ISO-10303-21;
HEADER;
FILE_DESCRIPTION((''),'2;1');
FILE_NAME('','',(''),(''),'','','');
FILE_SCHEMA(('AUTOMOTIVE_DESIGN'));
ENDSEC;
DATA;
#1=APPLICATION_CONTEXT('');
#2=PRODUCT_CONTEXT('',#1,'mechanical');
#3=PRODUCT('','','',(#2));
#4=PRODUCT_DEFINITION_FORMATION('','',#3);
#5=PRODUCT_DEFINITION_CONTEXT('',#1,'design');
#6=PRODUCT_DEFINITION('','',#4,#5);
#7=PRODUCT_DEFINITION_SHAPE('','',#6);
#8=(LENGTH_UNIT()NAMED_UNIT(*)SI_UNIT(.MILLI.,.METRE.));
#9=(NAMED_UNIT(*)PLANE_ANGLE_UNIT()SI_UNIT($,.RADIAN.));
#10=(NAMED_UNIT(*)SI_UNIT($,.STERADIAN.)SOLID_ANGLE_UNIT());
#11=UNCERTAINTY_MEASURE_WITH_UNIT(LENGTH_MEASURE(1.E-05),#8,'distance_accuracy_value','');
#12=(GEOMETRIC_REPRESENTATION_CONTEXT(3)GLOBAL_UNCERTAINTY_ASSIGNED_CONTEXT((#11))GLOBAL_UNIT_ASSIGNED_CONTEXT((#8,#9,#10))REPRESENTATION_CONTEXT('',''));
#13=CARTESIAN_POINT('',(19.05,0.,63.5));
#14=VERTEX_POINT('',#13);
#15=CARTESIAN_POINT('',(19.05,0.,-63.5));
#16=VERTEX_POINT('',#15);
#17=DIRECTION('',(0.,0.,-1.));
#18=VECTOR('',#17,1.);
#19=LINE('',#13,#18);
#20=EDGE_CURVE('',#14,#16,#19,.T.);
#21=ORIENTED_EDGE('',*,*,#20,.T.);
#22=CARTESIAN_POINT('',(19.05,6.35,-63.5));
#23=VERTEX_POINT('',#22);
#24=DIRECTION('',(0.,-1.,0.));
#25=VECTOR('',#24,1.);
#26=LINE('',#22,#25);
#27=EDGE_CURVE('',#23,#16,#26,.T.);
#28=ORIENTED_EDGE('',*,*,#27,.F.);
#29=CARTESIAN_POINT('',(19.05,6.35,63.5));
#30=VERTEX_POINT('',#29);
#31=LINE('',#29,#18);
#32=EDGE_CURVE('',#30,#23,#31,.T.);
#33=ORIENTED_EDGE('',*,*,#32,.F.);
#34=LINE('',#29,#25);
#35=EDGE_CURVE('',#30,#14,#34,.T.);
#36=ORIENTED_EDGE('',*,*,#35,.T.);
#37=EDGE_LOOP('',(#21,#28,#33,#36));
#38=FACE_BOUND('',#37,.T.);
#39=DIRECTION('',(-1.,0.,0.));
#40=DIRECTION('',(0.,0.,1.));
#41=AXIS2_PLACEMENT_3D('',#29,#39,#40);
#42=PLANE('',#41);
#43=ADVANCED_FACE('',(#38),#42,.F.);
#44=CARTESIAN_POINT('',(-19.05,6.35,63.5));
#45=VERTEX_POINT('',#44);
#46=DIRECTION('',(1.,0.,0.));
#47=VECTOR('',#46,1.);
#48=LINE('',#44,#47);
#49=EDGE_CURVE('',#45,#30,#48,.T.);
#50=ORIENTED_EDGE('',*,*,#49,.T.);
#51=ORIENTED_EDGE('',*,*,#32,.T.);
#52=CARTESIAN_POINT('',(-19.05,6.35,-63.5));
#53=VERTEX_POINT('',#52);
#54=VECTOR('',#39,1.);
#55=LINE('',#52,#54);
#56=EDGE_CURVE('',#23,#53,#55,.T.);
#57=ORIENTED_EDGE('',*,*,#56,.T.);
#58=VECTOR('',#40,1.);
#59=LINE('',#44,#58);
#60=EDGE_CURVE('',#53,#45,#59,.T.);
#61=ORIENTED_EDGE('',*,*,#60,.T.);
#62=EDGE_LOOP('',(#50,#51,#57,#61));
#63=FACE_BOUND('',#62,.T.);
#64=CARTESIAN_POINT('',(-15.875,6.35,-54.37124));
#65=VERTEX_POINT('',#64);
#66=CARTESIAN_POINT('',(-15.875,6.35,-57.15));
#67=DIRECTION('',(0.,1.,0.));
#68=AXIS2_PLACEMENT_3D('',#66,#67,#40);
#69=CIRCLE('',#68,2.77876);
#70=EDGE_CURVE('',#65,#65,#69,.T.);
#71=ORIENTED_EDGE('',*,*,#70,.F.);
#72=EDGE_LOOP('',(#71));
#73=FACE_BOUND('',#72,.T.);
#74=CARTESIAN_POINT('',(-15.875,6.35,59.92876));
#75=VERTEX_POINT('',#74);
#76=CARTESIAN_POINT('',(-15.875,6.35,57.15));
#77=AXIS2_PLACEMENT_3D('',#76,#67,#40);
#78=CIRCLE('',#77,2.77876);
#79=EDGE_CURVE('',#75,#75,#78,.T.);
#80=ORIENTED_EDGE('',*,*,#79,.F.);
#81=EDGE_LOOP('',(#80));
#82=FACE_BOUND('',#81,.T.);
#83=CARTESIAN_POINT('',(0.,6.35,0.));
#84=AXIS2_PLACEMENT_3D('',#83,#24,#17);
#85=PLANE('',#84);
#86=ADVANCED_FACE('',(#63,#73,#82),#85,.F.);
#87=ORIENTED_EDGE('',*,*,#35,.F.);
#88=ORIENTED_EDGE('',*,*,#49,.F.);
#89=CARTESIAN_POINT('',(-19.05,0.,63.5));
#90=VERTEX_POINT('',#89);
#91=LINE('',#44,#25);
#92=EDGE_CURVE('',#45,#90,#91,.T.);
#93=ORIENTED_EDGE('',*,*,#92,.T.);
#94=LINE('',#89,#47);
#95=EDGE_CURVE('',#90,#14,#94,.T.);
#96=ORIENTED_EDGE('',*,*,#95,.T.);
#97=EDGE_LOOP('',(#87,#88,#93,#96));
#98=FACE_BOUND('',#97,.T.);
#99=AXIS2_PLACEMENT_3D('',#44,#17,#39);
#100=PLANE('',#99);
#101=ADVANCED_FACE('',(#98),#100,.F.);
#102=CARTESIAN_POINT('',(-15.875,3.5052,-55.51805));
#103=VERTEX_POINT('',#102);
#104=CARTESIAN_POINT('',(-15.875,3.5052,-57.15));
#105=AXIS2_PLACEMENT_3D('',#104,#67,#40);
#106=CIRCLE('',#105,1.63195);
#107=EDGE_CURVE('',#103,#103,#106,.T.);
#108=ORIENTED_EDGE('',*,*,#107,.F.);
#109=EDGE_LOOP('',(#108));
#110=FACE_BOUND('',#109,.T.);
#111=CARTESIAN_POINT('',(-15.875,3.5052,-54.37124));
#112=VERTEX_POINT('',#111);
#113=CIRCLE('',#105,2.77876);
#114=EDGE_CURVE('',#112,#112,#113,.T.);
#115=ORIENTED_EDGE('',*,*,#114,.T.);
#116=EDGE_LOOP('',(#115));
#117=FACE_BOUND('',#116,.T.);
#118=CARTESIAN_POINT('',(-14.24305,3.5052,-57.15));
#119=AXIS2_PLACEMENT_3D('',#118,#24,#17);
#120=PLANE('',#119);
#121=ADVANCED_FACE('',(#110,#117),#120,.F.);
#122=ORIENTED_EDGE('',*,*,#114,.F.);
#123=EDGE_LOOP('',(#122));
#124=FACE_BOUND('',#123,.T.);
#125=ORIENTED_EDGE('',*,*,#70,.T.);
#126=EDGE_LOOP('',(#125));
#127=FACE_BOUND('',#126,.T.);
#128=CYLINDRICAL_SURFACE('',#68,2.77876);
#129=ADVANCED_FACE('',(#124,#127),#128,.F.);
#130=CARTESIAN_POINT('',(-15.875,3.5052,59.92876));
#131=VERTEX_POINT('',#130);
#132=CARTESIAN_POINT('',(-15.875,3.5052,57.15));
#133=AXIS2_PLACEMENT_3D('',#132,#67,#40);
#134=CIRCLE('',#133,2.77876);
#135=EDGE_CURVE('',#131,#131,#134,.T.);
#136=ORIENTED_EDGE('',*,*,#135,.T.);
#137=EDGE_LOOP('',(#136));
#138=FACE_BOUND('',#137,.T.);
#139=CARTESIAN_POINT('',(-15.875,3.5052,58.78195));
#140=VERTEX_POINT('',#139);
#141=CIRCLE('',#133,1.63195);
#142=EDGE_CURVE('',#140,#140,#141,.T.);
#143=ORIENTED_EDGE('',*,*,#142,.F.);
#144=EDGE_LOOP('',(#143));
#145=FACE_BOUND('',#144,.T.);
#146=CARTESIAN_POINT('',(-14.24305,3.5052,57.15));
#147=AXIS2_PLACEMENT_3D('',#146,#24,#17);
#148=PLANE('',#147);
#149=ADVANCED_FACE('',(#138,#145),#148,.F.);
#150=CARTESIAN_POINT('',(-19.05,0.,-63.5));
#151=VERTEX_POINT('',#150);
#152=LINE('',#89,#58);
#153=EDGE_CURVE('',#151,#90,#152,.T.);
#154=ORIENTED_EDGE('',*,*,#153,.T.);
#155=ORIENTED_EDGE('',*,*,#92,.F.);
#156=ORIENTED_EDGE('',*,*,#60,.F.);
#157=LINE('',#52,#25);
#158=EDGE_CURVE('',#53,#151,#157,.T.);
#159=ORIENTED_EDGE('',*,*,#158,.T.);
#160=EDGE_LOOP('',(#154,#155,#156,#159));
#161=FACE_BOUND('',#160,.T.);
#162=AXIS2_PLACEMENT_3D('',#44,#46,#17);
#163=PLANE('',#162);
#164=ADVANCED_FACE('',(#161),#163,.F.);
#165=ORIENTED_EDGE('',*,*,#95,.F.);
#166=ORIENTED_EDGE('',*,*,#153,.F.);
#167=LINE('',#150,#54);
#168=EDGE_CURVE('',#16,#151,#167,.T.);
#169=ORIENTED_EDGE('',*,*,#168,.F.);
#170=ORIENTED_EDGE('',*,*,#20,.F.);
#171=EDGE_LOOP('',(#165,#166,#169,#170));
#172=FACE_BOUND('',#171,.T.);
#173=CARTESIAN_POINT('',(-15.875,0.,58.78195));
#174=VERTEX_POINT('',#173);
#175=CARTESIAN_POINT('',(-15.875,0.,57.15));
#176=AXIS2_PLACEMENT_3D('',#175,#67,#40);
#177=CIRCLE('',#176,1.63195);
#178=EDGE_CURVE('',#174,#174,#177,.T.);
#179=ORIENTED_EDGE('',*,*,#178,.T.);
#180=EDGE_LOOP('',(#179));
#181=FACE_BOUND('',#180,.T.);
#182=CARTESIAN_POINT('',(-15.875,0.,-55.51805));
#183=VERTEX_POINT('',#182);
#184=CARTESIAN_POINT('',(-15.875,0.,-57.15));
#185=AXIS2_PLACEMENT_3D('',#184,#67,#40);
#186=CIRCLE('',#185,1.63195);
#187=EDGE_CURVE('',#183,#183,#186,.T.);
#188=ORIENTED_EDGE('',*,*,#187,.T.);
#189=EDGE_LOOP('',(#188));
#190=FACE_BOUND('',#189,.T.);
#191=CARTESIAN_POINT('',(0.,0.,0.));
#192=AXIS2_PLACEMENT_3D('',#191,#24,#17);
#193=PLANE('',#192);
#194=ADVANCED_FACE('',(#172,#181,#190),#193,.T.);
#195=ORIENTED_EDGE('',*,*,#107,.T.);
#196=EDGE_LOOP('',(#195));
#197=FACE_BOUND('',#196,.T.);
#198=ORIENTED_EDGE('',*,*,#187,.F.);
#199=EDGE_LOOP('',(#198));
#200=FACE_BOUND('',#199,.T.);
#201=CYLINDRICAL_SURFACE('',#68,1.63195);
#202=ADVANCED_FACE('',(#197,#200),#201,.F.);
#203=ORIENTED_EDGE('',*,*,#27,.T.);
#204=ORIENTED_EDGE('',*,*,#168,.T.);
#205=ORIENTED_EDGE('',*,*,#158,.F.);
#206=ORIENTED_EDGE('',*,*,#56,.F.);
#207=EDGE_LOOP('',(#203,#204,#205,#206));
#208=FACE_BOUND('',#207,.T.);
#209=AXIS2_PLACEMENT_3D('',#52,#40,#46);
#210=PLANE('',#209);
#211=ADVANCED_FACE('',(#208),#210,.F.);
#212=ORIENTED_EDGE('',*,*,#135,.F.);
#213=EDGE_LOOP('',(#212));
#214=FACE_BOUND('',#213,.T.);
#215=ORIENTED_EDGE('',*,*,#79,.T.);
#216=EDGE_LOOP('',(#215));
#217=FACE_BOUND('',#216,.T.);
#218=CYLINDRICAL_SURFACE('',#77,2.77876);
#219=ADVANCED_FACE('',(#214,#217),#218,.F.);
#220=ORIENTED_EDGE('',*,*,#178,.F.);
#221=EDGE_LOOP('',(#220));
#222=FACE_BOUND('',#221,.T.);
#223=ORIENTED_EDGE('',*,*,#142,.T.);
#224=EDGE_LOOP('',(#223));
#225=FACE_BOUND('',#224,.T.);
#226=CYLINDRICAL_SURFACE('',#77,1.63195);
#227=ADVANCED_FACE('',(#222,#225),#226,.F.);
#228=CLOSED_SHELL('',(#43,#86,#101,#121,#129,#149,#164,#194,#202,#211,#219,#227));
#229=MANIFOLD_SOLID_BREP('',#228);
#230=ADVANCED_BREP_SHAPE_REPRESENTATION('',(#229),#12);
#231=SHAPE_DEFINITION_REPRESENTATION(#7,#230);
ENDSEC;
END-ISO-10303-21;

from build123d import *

# Parameters (mm, degrees)
SKETCH1_W                                      = 38.1
SKETCH1_H                                      = 127
BOSS_EXTRUDE1_DEPTH                            = 6.35
CBORE_FOR_4_SOCKET_HEAD_CAP_SCREW1_D           = 3.2639
CBORE_FOR_4_SOCKET_HEAD_CAP_SCREW1_CBORE_D     = 5.55752
CBORE_FOR_4_SOCKET_HEAD_CAP_SCREW1_CBORE_DEPTH = 2.8448


with BuildPart() as part:
    # Sketch1 → Boss-Extrude1 (new body)
    with BuildSketch(Plane(origin=(0, 0, 0), x_dir=(1, 0, 0), z_dir=(0, 1, 0))):
        Rectangle(SKETCH1_W, SKETCH1_H)
    extrude(amount=BOSS_EXTRUDE1_DEPTH)

    # CBORE for #4 Socket Head Cap Screw1 (through all)
    with Locations(Plane(origin=(0, 6.35, 0), x_dir=(1, 0, 0), z_dir=(0, 1, 0))):
        with Locations((-15.875, -57.15), (-15.875, 57.15)):
            CounterBoreHole(CBORE_FOR_4_SOCKET_HEAD_CAP_SCREW1_D / 2, CBORE_FOR_4_SOCKET_HEAD_CAP_SCREW1_CBORE_D / 2, CBORE_FOR_4_SOCKET_HEAD_CAP_SCREW1_CBORE_DEPTH)


solid = part.part
